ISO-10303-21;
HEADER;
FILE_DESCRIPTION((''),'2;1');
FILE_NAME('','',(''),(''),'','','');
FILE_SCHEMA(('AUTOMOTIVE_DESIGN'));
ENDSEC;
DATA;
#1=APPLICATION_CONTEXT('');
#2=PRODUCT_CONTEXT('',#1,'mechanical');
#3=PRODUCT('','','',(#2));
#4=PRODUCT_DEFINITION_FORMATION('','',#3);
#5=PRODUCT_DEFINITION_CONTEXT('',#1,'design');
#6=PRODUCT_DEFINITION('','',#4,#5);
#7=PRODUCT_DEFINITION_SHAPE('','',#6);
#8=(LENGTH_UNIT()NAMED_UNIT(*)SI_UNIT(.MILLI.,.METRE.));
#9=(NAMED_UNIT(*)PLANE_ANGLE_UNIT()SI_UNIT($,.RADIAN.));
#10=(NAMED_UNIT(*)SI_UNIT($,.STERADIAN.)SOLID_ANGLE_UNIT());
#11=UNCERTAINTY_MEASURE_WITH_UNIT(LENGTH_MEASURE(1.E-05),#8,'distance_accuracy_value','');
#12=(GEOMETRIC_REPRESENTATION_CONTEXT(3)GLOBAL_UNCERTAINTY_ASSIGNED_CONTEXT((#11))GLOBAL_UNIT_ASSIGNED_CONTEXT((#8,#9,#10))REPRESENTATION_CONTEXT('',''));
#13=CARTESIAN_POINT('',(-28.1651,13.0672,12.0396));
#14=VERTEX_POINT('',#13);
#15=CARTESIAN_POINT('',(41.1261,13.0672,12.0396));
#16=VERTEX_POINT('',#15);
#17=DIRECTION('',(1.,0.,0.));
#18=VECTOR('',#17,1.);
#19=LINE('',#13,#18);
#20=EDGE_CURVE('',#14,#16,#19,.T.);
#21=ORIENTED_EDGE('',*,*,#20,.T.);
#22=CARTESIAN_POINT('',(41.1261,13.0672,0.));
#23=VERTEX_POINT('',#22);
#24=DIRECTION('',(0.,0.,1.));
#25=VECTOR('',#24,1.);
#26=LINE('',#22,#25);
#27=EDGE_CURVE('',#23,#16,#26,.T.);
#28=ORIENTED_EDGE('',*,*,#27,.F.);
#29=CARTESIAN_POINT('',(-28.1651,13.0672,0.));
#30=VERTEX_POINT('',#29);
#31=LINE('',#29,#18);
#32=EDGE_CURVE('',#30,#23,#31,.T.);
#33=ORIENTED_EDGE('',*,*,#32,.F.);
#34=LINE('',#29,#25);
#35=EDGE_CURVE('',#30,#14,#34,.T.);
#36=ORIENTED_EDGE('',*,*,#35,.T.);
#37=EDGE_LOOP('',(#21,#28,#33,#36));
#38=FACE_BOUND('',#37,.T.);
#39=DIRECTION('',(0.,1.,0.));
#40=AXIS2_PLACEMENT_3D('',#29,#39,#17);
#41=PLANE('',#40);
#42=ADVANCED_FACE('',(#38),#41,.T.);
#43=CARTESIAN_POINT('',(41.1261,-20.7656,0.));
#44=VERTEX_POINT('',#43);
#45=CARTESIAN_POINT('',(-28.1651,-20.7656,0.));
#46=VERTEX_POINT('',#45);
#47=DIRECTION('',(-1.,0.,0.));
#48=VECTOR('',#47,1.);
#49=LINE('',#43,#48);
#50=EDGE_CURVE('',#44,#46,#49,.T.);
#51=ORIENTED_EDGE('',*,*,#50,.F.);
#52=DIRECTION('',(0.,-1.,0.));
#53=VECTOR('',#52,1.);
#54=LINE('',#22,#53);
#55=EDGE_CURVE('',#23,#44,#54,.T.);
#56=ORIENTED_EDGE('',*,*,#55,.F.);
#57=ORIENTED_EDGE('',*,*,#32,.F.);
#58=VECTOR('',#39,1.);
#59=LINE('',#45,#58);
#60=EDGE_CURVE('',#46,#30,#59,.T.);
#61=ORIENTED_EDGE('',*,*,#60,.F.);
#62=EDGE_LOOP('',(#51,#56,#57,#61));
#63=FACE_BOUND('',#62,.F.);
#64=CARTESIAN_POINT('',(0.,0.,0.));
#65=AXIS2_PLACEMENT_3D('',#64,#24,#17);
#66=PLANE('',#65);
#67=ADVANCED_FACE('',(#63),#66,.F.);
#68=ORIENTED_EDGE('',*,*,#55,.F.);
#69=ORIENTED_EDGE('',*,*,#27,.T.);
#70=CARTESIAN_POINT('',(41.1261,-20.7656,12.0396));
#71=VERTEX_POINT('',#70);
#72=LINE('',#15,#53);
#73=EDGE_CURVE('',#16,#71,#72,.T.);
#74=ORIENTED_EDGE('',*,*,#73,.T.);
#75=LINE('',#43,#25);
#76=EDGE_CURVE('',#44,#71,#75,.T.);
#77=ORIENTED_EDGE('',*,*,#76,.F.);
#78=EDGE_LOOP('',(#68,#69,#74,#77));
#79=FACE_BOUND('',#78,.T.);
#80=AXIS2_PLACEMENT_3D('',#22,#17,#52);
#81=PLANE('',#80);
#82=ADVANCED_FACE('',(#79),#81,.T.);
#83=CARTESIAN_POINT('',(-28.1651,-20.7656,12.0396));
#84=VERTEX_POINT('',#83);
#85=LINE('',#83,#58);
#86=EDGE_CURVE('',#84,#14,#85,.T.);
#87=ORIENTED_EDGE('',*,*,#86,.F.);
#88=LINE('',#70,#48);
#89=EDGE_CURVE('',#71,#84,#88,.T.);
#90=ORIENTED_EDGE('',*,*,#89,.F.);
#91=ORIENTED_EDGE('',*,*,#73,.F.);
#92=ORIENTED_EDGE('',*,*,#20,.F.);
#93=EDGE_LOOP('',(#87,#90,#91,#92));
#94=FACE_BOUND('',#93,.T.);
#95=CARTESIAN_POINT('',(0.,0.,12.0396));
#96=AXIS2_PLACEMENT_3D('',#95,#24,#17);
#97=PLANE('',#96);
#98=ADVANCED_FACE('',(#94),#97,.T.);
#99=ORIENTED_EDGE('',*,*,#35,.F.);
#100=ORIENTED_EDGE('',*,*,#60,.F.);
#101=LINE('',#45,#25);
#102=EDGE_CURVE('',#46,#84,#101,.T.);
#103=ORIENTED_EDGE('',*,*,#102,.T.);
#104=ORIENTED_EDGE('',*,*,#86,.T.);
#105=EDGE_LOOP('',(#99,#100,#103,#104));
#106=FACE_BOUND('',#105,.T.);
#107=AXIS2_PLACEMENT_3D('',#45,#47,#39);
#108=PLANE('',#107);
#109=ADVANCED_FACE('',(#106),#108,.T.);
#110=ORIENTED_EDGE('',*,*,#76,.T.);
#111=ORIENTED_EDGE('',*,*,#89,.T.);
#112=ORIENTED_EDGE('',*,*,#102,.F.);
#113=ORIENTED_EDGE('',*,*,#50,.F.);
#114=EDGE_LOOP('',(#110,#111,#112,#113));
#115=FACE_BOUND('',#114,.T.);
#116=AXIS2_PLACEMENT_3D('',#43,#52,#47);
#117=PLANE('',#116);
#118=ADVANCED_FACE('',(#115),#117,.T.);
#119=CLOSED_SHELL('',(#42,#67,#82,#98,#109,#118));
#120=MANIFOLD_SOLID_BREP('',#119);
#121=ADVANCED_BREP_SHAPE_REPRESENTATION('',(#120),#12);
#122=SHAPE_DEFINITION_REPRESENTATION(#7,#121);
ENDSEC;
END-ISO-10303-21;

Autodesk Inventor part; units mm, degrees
ref_plane "YZ Plane" through (0, 0, 0) normal (1, 0, 0) x (0, 1, 0)
ref_plane "XZ Plane" through (0, 0, 0) normal (0, 1, 0) x (-1, 0, 0)
ref_plane "XY Plane" through (0, 0, 0) normal (0, 0, 1) x (1, 0, 0)
sketch "Sketch1" plane through (0, 0, 0) normal (0, 0, 1) x (1, 0, 0)
  line L0 (-28.1651, 13.0672) -> (41.1261, 13.0672)
  line L1 (41.1261, 13.0672) -> (41.1261, -20.7656)
  line L2 (41.1261, -20.7656) -> (-28.1651, -20.7656)
  line L3 (-28.1651, -20.7656) -> (-28.1651, 13.0672)
  point P0 (0, 0)
  dimension "d0" = 33.8328
  dimension "d1" = 69.2912
extrude "Extrusion1" add sketch "Sketch1" along normal blind 12.0396
properties part number "mcdave_battery"
